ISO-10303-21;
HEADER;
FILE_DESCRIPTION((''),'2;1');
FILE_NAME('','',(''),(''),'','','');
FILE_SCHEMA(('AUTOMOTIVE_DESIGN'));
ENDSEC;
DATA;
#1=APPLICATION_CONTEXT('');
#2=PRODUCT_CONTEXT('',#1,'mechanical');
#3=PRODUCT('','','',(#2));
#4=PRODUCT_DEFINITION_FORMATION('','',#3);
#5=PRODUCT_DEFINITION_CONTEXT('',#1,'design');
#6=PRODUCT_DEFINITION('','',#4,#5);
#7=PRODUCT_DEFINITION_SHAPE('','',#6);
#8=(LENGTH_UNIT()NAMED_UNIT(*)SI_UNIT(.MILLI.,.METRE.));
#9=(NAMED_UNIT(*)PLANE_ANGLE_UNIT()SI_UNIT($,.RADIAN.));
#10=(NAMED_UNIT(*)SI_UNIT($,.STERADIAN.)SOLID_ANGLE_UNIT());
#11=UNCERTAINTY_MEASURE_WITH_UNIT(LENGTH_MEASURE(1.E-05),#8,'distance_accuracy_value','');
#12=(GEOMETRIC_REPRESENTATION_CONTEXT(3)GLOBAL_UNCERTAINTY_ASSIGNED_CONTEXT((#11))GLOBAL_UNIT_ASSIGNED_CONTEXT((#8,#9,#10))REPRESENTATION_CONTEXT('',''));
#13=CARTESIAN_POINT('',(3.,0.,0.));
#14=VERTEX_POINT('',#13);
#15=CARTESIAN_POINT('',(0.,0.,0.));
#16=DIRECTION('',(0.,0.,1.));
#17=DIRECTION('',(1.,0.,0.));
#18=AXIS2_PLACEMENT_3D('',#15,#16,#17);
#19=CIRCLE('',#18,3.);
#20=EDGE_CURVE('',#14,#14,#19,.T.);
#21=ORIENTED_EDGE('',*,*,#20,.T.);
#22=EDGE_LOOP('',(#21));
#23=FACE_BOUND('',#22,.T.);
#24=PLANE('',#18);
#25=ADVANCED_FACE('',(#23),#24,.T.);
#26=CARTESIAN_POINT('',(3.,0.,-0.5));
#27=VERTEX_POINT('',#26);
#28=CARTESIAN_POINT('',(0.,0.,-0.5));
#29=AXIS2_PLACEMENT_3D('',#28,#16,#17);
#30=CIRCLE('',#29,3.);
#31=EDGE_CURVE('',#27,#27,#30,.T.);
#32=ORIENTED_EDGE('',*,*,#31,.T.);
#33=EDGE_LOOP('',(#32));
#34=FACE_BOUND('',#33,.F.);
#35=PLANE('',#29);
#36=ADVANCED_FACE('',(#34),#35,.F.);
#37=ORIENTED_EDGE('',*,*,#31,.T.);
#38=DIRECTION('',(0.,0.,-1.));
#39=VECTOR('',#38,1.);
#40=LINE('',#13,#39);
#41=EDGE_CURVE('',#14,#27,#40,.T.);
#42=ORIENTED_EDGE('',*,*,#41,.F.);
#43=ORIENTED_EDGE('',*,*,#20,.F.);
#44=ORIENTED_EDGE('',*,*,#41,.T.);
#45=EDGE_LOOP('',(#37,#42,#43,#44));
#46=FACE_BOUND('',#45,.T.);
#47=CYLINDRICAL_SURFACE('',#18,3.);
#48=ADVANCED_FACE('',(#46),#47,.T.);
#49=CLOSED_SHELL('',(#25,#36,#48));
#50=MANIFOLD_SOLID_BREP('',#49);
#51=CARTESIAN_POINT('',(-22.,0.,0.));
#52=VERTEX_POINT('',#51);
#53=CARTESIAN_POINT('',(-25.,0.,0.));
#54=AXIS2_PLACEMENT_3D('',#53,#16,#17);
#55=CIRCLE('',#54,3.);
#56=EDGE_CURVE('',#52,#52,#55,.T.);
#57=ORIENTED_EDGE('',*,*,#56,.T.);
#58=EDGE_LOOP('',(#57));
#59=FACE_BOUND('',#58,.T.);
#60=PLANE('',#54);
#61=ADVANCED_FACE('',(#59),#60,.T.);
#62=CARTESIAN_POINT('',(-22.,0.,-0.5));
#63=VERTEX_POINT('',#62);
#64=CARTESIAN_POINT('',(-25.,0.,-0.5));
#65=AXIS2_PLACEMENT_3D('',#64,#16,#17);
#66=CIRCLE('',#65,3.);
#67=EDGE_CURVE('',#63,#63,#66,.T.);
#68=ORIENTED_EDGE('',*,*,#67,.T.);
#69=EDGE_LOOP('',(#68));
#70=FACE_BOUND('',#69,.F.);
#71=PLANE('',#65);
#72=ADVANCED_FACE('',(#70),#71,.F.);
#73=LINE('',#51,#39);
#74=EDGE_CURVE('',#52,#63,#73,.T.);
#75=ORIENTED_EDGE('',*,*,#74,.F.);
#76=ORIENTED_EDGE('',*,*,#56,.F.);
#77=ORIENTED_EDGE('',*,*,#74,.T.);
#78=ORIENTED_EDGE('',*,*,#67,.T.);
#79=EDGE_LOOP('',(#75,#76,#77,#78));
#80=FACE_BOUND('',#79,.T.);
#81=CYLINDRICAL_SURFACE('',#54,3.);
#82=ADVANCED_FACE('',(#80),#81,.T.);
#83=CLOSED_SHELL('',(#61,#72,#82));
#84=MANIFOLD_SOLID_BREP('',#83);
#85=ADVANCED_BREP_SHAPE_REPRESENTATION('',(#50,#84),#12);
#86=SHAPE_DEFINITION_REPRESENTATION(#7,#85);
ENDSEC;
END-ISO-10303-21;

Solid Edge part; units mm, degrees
sketch "Sketch1" plane through (0, 0, 0) normal (0, 0, 1) x (1, 0, 0)
  circle A0 centre (-25, 0) radius 3
  circle A1 centre (0, 0) radius 3
  dimension "D1" = 6
  dimension "D2" = 25
extrude "Protrusion1" add sketch "Sketch1" against normal blind 0.5
properties material "Steel"
